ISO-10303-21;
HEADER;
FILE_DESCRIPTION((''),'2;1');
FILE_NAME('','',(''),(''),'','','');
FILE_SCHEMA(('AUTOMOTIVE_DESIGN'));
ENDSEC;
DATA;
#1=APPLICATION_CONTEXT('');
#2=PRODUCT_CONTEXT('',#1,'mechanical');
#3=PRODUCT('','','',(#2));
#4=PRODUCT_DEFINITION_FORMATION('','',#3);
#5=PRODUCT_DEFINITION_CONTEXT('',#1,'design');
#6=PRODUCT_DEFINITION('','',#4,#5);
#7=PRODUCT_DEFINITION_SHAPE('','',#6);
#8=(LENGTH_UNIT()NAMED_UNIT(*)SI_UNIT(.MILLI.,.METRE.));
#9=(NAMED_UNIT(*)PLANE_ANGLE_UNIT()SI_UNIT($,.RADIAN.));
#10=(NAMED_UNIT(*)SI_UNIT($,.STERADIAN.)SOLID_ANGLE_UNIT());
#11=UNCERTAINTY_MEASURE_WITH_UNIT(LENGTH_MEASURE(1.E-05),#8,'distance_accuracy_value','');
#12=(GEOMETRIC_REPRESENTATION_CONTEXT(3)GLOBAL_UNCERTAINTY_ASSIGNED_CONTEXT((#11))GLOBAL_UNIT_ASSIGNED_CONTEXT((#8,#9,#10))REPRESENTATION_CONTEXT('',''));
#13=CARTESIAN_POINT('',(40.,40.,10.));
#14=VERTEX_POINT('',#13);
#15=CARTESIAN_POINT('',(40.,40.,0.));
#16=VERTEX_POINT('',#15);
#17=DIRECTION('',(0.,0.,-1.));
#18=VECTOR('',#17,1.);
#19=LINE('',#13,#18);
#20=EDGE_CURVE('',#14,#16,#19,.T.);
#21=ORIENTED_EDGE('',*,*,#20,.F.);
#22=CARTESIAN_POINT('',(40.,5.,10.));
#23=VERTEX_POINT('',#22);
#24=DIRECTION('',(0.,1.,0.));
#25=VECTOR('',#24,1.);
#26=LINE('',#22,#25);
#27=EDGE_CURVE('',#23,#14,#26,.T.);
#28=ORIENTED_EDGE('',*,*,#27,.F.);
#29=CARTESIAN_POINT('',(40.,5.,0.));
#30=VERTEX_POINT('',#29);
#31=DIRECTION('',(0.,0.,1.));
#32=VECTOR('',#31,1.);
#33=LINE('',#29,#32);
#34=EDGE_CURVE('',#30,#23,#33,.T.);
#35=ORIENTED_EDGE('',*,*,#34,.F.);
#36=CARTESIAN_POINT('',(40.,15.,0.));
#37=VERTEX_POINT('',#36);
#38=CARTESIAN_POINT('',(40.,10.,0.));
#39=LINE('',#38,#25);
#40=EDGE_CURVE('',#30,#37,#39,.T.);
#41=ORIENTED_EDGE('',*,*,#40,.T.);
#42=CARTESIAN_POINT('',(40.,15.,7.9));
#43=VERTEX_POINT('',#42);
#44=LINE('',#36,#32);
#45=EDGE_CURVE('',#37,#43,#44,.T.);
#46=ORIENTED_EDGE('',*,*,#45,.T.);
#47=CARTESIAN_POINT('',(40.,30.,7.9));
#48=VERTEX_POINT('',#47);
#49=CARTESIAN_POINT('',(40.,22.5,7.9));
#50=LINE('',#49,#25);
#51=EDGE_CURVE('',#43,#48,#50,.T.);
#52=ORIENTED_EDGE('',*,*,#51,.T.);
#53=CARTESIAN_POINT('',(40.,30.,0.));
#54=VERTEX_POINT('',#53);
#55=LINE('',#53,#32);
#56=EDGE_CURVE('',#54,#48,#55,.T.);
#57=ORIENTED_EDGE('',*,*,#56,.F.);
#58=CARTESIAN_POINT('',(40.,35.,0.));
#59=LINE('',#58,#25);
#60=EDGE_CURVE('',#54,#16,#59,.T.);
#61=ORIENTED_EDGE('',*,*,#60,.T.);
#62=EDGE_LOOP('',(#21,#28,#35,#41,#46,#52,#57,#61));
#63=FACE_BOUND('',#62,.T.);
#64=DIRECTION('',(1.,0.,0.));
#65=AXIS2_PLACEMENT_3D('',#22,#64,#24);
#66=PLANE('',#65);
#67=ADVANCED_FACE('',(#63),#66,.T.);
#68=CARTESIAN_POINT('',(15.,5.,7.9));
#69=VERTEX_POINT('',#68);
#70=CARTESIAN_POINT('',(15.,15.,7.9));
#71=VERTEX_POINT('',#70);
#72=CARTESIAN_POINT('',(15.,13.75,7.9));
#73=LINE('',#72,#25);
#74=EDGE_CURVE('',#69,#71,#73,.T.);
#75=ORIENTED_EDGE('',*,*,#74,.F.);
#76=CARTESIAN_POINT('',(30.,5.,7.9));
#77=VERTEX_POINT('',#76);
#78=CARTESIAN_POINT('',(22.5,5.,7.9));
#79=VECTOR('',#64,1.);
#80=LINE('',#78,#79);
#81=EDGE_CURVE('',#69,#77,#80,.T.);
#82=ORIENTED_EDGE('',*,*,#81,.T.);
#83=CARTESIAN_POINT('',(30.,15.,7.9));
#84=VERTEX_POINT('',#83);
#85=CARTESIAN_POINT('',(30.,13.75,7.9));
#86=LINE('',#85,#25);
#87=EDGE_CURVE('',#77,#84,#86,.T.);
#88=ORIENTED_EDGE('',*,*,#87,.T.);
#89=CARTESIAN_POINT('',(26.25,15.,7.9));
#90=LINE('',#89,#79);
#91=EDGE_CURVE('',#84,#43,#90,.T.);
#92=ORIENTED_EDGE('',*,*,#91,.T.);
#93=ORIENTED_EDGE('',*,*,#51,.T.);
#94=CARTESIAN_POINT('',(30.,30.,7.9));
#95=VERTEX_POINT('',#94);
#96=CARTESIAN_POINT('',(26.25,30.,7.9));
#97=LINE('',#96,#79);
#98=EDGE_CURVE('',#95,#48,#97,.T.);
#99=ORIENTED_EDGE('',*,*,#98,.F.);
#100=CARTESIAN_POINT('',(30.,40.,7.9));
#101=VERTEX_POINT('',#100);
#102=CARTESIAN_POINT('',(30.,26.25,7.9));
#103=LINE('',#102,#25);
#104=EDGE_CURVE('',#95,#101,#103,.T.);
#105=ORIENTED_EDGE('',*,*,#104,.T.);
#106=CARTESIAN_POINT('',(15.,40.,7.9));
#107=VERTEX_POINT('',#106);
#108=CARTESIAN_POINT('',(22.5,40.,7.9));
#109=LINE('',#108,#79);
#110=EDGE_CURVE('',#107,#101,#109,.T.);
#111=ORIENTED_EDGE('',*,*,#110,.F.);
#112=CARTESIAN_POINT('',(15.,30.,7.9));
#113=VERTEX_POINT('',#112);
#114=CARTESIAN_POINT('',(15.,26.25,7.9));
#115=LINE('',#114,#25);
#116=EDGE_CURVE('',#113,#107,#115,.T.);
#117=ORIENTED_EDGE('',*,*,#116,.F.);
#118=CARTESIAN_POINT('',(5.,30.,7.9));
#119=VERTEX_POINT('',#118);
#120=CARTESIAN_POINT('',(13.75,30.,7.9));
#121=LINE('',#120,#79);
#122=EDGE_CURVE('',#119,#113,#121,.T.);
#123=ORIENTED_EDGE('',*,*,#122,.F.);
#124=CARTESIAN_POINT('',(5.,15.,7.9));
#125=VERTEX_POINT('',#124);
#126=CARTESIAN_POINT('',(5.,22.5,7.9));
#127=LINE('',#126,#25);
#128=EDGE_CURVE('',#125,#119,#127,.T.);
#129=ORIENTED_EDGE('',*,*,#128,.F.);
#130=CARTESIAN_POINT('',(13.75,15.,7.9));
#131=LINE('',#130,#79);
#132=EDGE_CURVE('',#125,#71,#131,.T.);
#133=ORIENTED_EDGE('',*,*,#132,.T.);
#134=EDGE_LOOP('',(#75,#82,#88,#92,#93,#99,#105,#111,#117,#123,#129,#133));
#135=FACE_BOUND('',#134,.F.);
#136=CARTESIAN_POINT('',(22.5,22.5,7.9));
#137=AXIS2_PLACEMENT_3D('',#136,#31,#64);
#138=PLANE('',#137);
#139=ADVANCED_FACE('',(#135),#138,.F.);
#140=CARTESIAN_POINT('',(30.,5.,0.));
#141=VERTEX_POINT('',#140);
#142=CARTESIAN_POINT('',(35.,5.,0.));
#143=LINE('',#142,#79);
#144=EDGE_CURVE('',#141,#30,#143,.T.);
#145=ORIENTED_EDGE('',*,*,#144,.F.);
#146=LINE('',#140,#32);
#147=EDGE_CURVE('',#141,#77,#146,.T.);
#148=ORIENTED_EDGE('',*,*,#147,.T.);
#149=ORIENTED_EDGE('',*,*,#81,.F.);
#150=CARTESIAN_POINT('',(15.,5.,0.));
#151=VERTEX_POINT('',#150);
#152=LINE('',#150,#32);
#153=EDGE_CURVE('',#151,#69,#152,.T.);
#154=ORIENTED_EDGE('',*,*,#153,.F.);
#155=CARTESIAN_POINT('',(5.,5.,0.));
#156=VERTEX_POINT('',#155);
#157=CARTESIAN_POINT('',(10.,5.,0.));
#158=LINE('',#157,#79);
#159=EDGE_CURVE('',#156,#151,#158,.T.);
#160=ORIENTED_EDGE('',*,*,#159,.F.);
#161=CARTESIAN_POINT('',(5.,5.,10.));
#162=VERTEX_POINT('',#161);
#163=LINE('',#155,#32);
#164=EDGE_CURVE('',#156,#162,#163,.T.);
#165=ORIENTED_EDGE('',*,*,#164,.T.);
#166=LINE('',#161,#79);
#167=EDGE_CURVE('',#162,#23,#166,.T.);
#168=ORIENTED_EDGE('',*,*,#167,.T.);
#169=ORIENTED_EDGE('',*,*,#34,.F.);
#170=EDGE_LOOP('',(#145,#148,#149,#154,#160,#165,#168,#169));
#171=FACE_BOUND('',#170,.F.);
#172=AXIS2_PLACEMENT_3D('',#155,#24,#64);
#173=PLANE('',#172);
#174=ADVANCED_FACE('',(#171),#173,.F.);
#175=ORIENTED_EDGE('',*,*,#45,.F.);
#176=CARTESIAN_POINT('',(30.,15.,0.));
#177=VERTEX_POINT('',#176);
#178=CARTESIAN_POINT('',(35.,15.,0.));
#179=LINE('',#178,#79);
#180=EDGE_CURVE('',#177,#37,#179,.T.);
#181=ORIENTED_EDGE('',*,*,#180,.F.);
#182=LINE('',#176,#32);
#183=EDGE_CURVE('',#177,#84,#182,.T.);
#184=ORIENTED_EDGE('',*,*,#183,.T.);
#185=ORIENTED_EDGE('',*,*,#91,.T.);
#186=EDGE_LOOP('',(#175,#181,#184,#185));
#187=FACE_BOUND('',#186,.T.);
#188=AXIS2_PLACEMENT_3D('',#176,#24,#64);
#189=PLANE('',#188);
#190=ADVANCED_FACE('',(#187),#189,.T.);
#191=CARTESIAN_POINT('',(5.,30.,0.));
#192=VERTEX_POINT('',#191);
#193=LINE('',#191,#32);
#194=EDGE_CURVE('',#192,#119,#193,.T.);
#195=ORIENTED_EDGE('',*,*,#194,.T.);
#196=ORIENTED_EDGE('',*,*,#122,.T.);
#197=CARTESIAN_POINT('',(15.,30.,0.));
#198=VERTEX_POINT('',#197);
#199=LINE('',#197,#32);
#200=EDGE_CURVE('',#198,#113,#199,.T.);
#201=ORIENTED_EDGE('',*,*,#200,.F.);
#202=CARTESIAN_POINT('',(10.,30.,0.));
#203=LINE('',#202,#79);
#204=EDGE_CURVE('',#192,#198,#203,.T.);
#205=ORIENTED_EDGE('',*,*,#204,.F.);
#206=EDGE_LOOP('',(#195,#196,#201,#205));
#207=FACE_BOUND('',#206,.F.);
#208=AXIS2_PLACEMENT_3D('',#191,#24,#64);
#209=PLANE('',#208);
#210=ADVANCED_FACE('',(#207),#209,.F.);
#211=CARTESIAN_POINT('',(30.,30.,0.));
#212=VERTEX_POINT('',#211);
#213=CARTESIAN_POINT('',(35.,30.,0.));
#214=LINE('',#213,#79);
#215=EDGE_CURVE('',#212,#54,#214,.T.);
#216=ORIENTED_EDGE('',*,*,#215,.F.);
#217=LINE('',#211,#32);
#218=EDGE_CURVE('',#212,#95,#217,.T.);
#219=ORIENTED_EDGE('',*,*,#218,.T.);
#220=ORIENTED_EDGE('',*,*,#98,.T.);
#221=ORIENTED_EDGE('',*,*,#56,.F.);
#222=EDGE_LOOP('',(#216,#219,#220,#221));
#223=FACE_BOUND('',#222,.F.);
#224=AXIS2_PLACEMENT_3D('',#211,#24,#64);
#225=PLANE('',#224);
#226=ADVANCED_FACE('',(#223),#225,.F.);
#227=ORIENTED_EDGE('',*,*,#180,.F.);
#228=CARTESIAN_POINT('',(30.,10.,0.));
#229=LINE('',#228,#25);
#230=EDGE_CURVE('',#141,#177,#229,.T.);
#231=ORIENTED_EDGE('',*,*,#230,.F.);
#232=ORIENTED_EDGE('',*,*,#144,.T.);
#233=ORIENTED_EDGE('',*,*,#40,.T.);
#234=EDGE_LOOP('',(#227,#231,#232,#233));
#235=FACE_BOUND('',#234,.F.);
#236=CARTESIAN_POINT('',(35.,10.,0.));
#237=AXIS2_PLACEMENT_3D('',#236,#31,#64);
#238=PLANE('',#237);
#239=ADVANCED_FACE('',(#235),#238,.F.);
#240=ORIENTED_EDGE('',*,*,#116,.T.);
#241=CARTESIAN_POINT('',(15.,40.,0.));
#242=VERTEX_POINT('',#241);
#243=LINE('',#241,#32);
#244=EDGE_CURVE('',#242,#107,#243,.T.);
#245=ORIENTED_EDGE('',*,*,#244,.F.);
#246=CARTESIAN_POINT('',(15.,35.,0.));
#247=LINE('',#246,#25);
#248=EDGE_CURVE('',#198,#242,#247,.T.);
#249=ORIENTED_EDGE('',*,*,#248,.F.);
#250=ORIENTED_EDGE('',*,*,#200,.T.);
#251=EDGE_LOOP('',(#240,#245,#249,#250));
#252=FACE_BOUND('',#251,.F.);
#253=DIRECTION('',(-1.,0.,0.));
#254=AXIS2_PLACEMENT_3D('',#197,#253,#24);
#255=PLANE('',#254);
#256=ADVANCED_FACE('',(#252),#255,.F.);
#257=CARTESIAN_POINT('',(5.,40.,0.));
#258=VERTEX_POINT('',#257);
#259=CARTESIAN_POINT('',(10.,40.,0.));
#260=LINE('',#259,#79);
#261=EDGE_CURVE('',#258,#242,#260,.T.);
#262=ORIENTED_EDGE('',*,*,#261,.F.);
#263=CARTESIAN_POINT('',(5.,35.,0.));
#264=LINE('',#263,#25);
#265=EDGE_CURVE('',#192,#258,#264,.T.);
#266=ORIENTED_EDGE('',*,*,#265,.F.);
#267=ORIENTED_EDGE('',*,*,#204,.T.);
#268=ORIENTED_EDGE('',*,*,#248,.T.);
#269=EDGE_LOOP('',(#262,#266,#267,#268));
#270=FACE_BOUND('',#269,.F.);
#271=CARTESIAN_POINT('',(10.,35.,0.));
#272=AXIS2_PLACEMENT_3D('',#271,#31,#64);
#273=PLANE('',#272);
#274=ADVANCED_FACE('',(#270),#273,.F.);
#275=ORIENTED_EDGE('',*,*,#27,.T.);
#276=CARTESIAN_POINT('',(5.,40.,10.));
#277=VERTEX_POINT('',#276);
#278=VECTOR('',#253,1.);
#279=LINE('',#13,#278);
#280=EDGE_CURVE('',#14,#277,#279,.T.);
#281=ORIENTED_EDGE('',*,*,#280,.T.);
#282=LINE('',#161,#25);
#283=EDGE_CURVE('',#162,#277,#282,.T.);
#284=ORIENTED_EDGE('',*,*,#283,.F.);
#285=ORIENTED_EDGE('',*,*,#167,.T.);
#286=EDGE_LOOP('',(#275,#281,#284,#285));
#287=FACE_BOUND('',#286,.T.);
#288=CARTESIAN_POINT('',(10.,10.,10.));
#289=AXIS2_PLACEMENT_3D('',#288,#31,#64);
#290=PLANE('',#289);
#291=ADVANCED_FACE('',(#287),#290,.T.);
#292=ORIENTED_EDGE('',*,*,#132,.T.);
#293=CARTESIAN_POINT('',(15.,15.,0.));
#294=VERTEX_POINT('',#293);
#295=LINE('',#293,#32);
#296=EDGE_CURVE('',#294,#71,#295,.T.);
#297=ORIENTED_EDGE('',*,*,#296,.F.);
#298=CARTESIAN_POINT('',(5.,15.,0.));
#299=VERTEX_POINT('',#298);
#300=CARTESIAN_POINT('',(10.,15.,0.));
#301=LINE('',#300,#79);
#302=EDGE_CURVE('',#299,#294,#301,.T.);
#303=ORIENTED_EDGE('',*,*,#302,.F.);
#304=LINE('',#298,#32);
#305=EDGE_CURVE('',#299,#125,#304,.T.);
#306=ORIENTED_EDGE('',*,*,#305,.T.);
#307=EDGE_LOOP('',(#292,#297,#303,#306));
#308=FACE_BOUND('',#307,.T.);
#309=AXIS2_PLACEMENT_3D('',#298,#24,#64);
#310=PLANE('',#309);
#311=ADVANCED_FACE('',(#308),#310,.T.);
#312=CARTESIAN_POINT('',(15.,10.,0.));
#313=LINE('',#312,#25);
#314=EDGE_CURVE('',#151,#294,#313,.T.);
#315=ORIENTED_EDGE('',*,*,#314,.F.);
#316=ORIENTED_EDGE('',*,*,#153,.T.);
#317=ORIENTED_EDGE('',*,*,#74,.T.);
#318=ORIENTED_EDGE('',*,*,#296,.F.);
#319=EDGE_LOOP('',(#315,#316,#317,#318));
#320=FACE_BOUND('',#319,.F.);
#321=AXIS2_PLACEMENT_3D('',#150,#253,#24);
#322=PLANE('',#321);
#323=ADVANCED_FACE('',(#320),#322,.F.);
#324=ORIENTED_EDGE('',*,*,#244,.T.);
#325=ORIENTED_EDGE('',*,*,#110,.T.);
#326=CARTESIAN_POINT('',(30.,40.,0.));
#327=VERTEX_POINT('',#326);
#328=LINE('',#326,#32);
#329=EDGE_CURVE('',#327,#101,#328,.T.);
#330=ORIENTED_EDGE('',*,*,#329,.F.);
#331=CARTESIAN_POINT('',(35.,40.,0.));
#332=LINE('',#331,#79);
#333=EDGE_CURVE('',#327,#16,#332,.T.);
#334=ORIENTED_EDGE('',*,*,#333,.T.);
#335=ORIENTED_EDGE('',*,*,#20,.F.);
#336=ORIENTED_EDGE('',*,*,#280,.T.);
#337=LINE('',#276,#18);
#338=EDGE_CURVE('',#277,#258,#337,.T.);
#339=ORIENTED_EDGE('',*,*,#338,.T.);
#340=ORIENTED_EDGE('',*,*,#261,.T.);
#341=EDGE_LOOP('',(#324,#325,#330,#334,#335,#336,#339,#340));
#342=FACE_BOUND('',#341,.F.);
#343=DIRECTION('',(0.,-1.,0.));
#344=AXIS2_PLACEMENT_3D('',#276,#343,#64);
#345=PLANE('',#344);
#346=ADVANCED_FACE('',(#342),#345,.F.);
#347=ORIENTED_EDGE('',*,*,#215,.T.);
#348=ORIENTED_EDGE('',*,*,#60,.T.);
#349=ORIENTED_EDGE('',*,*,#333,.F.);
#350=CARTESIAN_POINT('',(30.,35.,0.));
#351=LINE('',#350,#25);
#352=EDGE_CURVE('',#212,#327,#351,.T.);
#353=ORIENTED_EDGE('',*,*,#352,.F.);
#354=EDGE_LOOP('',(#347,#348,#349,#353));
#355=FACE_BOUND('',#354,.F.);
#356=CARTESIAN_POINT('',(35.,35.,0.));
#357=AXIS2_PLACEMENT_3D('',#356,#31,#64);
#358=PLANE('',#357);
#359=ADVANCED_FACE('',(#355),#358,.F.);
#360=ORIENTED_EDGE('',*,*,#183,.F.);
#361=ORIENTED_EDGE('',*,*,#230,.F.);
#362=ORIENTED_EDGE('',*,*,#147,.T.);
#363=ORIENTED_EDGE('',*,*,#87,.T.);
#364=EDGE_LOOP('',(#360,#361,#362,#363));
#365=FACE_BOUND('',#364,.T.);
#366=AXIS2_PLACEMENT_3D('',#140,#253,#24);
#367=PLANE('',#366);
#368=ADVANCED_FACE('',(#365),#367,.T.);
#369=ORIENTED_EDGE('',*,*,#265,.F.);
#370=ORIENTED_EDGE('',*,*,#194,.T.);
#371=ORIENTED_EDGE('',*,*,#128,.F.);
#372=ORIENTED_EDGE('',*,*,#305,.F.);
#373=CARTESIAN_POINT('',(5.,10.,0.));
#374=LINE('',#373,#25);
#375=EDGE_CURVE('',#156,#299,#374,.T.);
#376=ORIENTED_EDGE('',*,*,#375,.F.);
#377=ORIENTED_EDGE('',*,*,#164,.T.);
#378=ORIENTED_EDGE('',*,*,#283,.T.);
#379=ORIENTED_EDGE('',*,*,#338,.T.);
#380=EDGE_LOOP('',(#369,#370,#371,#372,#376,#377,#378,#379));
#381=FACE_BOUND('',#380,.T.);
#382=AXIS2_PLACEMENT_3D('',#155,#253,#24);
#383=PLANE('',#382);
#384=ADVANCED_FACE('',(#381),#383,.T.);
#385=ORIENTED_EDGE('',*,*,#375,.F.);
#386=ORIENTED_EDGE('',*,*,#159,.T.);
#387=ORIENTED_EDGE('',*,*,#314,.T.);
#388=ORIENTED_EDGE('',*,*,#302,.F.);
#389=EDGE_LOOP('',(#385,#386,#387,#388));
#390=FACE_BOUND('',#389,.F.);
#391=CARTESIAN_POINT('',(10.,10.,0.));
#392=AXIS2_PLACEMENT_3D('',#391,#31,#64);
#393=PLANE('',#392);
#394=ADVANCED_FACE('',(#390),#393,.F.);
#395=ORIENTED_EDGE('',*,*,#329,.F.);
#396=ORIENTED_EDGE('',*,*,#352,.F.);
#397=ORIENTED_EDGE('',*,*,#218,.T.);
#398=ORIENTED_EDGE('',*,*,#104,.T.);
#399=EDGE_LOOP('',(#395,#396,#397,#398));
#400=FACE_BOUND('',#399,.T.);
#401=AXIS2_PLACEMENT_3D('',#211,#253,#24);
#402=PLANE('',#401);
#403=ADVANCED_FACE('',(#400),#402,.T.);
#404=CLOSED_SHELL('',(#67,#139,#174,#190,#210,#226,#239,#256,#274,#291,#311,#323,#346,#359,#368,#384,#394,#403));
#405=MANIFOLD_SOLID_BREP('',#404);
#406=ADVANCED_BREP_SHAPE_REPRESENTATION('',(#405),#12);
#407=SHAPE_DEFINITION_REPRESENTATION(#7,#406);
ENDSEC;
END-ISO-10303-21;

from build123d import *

# Parameters (mm, degrees)
F0_W     = 10
F0_H     = 10
F1_DEPTH = 10
F2_W     = 35
F2_H     = 35
F3_DEPTH = 2.1


with BuildPart() as f1:
    # F0 (on Top) → F1 (new body)
    with BuildSketch(Plane.XY):
        with Locations((10, 10)):
            Rectangle(F0_W, F0_H)
        with Locations((10, 35)):
            Rectangle(F0_W, F0_H)
        with Locations((35, 35)):
            Rectangle(F0_W, F0_H)
        with Locations((35, 10)):
            Rectangle(F0_W, F0_H)
    extrude(amount=F1_DEPTH)

    # F2 (on face) → F3 (join)
    with BuildSketch(Plane.XY.offset(10)):
        with Locations((22.5, 22.5)):
            Rectangle(F2_W, F2_H)
    extrude(amount=-F3_DEPTH)


solid = f1.part
